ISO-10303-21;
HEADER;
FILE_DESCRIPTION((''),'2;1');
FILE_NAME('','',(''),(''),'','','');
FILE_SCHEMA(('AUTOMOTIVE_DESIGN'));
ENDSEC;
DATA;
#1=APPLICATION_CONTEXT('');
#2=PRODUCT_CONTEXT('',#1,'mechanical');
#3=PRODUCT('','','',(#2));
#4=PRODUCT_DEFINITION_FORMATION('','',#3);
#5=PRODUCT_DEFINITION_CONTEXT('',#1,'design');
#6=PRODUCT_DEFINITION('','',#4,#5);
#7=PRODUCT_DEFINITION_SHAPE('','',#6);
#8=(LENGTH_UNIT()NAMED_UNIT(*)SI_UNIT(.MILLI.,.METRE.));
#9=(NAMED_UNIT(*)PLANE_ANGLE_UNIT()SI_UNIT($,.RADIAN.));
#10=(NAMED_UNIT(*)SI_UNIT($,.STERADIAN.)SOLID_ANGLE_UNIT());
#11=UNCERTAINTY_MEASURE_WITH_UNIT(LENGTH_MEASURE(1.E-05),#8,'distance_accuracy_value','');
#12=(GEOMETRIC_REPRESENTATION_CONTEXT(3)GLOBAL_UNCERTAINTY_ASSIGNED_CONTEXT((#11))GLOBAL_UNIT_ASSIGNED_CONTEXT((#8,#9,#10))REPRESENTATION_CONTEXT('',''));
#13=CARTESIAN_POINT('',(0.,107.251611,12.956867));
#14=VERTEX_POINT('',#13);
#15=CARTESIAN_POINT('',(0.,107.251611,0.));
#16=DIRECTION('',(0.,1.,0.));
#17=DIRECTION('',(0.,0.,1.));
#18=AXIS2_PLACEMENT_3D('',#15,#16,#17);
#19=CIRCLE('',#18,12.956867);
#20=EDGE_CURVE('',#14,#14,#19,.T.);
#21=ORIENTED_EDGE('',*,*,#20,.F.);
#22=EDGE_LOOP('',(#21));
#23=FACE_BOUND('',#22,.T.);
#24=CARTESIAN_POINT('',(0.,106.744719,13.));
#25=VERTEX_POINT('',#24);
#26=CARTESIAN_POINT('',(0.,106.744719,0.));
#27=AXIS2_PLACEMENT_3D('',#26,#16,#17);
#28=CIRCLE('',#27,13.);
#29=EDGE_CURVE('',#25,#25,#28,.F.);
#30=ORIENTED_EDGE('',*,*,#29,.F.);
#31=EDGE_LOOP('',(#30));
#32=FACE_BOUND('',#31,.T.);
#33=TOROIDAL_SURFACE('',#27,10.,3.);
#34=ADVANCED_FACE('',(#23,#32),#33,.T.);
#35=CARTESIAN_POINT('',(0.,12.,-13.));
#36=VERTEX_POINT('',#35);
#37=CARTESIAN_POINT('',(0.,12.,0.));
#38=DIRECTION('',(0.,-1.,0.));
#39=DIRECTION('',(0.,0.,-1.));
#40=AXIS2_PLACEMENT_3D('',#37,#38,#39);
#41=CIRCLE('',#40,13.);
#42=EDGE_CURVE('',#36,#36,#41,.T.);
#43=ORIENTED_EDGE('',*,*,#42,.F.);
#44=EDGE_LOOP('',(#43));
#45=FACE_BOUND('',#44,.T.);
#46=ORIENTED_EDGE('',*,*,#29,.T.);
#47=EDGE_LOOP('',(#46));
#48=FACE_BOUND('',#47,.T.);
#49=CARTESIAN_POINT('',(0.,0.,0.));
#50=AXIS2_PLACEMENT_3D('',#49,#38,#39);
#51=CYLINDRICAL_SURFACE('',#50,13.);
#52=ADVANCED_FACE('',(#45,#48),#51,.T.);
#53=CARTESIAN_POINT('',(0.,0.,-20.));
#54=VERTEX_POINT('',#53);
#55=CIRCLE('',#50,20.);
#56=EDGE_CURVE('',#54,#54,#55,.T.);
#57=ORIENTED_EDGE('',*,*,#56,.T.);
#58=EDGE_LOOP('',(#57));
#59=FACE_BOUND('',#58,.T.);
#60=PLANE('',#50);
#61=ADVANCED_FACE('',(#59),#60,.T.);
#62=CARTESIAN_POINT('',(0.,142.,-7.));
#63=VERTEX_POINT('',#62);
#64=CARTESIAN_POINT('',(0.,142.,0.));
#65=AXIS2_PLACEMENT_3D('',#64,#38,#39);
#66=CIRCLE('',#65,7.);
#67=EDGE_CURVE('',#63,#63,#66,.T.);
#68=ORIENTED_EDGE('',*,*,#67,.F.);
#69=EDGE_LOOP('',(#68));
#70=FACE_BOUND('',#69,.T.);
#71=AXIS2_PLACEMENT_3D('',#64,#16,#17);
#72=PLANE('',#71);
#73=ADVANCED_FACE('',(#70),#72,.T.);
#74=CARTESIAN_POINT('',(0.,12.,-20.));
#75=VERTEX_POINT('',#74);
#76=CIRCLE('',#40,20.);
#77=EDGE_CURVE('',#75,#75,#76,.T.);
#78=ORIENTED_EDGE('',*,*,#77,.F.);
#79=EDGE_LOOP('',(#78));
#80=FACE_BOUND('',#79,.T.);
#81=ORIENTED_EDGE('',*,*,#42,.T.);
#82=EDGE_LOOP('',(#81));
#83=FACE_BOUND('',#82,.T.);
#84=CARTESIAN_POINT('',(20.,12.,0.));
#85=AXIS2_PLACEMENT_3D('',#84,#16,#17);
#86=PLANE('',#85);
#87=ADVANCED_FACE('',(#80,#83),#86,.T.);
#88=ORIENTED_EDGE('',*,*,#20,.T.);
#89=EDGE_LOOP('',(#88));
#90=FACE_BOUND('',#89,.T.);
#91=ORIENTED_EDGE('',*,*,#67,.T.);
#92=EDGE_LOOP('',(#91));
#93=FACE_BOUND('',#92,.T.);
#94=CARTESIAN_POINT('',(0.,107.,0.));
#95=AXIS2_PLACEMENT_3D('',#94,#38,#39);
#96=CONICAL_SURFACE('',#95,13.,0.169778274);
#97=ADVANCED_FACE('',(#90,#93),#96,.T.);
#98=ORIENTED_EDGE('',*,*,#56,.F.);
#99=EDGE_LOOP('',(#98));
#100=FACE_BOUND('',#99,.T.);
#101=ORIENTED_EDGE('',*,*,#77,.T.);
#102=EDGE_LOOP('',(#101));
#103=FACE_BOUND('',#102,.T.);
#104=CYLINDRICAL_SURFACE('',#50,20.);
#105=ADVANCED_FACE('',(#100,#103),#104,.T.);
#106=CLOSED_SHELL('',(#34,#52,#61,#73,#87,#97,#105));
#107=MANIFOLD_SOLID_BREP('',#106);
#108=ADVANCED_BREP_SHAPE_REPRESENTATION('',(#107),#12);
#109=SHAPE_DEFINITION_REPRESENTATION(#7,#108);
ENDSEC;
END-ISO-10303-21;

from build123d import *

# Parameters (mm, degrees)
FILLET_1_R = 3


with BuildPart() as part:
    # 草图1 → Revolve 295 (revolve)
    with BuildSketch(Plane.XY, mode=Mode.PRIVATE) as revolve_295_sk:
        Polygon((0, 0), (20, 0), (20, 12), (13, 12), (13, 107), (7, 142), (0, 142), align=None)
    revolve(revolve_295_sk.sketch.rotate(Axis((0, 0, 0), (0, 1, 0)), 90), axis=Axis((0, 0, 0), (0, 1, 0)))

    # 圆角1
    fillet_1_edges = [part.edges().sort_by_distance(p)[0] for p in [
        (0, 107, 13),
    ]]
    fillet(fillet_1_edges, radius=FILLET_1_R)


solid = part.part
